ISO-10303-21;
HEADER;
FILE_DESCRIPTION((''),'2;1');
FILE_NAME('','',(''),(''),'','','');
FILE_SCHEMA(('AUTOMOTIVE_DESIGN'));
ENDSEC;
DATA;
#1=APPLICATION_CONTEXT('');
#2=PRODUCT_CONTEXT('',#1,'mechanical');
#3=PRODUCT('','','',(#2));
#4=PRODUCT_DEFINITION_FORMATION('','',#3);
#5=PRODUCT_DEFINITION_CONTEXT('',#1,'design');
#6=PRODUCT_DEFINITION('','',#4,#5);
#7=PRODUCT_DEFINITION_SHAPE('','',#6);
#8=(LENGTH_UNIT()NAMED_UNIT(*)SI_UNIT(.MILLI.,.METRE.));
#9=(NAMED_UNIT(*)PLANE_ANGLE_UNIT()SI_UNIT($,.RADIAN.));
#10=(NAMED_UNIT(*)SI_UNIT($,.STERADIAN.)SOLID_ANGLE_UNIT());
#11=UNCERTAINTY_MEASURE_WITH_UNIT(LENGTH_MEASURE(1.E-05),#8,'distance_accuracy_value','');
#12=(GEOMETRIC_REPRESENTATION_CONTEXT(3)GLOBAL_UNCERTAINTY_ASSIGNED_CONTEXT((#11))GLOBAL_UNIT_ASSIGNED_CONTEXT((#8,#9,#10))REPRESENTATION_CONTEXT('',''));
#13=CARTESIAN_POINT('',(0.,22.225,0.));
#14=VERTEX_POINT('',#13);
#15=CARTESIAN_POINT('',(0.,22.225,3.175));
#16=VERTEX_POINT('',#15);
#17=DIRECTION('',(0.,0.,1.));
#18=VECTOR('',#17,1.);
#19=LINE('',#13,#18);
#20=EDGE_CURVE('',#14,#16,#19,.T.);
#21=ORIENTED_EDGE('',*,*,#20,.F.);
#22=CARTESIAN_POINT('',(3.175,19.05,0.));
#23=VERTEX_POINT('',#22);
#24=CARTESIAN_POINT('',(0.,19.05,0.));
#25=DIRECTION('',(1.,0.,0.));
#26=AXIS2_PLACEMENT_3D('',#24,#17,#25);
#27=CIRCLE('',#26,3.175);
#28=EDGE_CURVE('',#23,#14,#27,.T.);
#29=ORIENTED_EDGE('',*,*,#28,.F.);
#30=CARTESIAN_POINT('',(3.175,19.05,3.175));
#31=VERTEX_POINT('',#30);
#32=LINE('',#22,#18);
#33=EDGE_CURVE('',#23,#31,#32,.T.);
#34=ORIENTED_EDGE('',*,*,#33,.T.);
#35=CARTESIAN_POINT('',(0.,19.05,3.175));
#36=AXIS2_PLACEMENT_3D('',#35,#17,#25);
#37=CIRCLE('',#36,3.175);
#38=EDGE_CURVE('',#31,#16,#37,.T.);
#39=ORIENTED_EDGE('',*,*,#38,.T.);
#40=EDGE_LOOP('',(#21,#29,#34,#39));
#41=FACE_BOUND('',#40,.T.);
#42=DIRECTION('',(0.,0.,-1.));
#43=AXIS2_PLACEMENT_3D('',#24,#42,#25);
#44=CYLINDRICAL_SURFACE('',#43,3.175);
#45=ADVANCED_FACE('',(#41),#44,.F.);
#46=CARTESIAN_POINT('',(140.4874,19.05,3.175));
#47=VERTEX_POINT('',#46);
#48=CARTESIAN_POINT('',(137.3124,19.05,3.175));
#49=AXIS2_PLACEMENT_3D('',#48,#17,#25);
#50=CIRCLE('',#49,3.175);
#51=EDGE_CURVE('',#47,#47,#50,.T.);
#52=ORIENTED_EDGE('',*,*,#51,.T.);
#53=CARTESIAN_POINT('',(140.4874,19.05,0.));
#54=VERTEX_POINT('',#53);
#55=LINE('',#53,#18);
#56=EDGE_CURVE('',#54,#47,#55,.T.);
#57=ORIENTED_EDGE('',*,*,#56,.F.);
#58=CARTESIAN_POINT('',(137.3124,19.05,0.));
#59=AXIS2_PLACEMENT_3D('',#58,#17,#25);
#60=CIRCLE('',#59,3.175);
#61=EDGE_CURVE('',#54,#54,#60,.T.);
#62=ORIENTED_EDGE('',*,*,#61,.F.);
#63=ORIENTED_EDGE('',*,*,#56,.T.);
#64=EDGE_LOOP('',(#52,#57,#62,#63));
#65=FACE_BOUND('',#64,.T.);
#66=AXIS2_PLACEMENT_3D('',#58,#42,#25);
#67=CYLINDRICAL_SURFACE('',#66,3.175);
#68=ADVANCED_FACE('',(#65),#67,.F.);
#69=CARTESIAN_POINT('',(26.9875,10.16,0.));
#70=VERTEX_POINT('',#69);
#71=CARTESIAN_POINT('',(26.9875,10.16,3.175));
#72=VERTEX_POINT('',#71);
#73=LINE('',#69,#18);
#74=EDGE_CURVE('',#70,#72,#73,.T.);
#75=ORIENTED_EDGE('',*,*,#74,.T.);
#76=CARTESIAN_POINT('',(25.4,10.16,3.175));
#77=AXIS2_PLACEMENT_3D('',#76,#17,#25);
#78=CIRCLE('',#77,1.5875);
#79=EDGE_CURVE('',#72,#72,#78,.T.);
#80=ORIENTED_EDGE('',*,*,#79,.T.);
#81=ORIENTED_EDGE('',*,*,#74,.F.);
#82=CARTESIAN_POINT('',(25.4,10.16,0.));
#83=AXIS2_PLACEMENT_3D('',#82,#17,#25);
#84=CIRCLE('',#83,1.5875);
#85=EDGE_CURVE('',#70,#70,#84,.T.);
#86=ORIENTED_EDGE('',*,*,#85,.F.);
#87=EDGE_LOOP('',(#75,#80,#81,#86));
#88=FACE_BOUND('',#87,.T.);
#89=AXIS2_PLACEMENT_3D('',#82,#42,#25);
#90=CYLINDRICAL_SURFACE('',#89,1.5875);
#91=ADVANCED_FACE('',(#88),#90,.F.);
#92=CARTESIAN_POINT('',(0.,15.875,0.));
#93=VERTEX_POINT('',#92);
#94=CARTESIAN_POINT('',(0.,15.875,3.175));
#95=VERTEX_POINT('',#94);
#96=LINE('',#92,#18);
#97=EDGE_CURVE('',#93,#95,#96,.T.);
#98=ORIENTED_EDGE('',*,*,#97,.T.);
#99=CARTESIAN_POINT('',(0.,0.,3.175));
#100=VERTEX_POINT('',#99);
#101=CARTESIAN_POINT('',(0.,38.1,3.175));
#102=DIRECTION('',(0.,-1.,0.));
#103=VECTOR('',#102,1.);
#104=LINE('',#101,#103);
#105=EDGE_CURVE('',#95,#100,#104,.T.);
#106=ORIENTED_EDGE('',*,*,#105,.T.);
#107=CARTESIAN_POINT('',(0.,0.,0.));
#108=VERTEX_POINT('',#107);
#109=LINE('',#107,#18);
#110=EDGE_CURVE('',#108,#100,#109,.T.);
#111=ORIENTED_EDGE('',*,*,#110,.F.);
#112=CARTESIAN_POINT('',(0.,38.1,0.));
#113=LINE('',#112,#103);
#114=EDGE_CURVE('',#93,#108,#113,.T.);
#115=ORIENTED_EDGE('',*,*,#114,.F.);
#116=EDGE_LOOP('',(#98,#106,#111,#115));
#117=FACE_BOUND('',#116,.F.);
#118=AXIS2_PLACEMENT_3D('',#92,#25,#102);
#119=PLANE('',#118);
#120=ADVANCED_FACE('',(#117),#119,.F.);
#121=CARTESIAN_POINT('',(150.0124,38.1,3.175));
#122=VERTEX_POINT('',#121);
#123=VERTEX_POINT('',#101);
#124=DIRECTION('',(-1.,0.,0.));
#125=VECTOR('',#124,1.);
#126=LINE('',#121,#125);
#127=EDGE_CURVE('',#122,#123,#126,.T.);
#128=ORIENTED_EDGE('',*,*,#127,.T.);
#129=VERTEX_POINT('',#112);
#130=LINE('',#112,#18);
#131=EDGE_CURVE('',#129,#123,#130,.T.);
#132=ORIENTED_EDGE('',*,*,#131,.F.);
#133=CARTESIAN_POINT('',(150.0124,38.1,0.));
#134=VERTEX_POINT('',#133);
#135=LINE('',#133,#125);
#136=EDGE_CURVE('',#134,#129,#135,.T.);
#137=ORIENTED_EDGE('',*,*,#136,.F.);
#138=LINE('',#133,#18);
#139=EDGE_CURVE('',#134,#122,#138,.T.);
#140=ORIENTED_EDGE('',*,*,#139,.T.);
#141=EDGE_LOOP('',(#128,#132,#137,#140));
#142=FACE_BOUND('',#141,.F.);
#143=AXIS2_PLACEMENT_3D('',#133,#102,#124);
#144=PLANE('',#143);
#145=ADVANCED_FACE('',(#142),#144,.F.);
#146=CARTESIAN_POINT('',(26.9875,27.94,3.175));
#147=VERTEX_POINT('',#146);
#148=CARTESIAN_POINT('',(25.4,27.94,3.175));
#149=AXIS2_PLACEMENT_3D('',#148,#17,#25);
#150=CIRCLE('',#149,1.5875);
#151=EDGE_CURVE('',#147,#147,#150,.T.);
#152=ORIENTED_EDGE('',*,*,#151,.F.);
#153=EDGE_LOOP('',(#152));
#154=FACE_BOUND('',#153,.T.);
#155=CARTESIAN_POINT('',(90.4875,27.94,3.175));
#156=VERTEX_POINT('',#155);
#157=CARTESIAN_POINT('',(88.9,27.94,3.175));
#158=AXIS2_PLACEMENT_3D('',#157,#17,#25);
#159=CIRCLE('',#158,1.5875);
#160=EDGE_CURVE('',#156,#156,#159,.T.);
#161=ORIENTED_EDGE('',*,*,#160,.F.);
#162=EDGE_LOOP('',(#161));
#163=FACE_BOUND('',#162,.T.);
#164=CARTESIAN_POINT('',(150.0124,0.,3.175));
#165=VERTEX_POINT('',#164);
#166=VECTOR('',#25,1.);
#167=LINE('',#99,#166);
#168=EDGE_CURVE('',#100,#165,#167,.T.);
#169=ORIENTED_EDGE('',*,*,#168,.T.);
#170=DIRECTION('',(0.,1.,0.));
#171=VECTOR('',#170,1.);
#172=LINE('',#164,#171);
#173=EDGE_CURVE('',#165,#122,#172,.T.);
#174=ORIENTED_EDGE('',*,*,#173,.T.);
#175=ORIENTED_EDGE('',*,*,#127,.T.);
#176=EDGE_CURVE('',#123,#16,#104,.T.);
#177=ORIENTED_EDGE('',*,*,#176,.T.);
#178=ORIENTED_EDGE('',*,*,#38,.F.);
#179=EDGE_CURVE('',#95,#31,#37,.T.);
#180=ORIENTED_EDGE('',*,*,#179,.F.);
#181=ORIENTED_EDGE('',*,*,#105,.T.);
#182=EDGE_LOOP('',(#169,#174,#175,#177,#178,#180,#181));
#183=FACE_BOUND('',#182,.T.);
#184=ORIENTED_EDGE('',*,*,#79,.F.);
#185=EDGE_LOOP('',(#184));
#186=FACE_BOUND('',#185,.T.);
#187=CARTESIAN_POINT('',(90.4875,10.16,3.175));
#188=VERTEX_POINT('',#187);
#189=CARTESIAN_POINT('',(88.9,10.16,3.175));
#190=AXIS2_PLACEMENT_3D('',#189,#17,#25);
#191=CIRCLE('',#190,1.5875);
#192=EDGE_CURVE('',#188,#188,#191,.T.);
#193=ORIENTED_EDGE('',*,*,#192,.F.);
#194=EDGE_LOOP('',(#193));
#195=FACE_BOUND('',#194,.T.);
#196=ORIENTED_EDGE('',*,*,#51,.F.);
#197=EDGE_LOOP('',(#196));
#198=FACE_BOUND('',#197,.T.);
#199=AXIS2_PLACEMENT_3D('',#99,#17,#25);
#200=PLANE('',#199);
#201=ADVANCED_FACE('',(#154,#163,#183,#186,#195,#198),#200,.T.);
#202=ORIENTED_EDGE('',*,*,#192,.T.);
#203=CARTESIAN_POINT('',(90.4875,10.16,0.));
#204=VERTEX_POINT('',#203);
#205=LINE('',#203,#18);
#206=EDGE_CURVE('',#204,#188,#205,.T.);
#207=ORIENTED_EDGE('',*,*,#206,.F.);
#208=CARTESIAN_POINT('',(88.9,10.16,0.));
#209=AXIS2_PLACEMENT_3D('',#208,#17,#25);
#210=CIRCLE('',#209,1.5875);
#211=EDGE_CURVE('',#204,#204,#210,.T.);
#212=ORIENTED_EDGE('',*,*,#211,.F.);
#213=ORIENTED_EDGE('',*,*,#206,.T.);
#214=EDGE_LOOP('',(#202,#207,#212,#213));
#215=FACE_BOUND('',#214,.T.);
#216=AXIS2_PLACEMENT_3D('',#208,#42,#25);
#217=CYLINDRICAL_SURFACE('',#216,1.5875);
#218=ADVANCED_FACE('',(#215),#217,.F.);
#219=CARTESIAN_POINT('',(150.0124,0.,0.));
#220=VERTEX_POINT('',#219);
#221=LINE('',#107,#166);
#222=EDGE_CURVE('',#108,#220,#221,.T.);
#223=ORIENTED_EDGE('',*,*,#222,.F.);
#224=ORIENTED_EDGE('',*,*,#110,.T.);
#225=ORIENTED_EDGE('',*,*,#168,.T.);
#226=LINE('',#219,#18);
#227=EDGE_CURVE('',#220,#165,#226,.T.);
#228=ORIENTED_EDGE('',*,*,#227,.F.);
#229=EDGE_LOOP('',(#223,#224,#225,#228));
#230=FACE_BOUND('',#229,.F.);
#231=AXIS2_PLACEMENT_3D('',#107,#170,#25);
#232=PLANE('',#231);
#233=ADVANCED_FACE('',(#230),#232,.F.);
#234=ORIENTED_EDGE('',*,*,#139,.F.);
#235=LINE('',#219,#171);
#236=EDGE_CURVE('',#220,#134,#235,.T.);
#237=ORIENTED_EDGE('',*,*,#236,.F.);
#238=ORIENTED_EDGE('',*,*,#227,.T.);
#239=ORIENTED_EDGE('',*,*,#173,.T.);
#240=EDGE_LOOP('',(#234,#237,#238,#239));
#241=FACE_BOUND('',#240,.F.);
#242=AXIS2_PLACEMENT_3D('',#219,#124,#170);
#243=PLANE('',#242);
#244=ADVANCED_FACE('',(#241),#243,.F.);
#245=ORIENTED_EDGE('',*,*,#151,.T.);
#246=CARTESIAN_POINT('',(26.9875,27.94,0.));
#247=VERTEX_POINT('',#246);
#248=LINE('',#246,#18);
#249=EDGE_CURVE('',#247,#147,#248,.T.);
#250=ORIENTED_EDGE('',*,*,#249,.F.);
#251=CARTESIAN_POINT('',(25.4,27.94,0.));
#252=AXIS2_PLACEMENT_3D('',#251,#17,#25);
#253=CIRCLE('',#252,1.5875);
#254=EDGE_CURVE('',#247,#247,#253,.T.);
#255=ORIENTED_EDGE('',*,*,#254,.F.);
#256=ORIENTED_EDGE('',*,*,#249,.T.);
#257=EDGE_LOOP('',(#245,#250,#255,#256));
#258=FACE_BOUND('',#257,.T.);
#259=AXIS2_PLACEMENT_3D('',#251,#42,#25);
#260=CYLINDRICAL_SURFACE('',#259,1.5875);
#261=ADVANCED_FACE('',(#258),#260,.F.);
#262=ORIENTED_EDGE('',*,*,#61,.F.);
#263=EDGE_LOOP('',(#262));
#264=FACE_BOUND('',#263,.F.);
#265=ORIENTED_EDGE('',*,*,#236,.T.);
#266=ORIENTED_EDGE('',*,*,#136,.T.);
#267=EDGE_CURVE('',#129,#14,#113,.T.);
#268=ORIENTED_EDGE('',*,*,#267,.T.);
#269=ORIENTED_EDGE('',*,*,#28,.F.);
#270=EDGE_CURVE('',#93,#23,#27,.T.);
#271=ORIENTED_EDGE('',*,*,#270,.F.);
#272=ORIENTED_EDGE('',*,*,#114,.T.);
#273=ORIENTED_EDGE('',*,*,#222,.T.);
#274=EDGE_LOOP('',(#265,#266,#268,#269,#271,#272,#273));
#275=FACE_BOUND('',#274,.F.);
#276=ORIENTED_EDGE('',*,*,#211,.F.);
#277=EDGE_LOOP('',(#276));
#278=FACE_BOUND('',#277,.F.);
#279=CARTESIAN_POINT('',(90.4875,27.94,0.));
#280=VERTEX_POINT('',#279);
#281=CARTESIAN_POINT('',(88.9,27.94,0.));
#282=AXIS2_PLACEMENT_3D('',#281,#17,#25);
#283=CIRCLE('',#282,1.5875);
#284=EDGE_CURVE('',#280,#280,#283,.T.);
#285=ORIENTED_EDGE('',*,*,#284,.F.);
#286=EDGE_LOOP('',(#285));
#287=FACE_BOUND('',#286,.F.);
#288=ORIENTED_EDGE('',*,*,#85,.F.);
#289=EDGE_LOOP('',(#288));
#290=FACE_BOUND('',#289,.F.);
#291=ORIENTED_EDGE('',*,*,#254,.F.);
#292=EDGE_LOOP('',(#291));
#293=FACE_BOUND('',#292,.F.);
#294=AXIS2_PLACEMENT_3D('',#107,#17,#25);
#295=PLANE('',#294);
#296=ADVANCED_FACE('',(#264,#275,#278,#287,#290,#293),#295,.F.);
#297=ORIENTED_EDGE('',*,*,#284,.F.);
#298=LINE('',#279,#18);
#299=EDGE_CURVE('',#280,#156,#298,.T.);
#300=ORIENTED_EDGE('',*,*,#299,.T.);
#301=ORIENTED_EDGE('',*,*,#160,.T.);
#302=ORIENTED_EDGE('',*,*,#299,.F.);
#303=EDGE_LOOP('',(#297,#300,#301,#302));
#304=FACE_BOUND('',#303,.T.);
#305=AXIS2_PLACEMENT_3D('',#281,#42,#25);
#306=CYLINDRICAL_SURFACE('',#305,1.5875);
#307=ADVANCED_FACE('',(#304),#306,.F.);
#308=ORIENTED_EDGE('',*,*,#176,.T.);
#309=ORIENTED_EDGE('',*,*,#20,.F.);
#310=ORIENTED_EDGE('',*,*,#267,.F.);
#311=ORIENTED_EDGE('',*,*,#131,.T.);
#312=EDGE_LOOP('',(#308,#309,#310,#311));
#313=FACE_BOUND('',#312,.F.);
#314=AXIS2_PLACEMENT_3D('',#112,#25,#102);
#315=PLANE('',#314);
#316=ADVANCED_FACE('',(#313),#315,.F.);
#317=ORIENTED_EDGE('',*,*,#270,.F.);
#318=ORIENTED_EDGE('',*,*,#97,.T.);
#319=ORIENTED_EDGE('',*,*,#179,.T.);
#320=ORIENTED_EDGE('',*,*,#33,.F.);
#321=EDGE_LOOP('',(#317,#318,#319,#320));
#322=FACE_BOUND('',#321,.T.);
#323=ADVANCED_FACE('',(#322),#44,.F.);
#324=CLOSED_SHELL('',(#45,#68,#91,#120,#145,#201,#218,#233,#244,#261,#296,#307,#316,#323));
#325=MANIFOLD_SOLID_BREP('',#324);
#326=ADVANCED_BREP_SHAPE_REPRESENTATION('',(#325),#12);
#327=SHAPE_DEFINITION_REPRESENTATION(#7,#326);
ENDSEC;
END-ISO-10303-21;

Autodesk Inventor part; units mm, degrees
ref_plane "YZ Plane" through (0, 0, 0) normal (1, 0, 0) x (0, 1, 0)
ref_plane "XZ Plane" through (0, 0, 0) normal (0, 1, 0) x (-1, 0, 0)
ref_plane "XY Plane" through (0, 0, 0) normal (0, 0, 1) x (1, 0, 0)
sketch "Sketch2" plane through (0, 0, 0) normal (0, 0, 1) x (1, 0, 0)
  line L0 (0, 0) -> (150.0124, 0)
  line L1 (150.0124, 0) -> (150.0124, 38.1)
  line L2 (150.0124, 38.1) -> (0, 38.1)
  line L3 (0, 38.1) -> (0, 0)
  circle A0 centre (137.3124, 19.05) radius 3.175
  circle A1 centre (25.4, 27.94) radius 1.5875
  circle A2 centre (88.9, 27.94) radius 1.5875
  circle A3 centre (88.9, 10.16) radius 1.5875
  circle A4 centre (25.4, 10.16) radius 1.5875
  circle A5 centre (0, 19.05) radius 3.175
  point P0 (0, 22.225)
  point P1 (0, 15.875)
  dimension "d0" = 150.0124
  dimension "d1" = 38.1
  dimension "d2" = 6.35
  dimension "d3" = 3.175
  dimension "d4" = 3.175
  dimension "d5" = 3.175
  dimension "d6" = 3.175
  dimension "d7" = 6.35
  dimension "d8" = 25.4
  dimension "d9" = 10.16
  dimension "d10" = 10.16
  dimension "d12" = 88.9
  dimension "d13" = 88.9
  dimension "d14" = 10.16
  dimension "d15" = 10.16
  dimension "d16" = 25.4
  dimension "d17" = 19.05
  dimension "d18" = 12.7
extrude "Extrusion1" add sketch "Sketch2" along normal blind 3.175 contours L3 A5 L2 L1 L0
properties part number "arm counterweight"
